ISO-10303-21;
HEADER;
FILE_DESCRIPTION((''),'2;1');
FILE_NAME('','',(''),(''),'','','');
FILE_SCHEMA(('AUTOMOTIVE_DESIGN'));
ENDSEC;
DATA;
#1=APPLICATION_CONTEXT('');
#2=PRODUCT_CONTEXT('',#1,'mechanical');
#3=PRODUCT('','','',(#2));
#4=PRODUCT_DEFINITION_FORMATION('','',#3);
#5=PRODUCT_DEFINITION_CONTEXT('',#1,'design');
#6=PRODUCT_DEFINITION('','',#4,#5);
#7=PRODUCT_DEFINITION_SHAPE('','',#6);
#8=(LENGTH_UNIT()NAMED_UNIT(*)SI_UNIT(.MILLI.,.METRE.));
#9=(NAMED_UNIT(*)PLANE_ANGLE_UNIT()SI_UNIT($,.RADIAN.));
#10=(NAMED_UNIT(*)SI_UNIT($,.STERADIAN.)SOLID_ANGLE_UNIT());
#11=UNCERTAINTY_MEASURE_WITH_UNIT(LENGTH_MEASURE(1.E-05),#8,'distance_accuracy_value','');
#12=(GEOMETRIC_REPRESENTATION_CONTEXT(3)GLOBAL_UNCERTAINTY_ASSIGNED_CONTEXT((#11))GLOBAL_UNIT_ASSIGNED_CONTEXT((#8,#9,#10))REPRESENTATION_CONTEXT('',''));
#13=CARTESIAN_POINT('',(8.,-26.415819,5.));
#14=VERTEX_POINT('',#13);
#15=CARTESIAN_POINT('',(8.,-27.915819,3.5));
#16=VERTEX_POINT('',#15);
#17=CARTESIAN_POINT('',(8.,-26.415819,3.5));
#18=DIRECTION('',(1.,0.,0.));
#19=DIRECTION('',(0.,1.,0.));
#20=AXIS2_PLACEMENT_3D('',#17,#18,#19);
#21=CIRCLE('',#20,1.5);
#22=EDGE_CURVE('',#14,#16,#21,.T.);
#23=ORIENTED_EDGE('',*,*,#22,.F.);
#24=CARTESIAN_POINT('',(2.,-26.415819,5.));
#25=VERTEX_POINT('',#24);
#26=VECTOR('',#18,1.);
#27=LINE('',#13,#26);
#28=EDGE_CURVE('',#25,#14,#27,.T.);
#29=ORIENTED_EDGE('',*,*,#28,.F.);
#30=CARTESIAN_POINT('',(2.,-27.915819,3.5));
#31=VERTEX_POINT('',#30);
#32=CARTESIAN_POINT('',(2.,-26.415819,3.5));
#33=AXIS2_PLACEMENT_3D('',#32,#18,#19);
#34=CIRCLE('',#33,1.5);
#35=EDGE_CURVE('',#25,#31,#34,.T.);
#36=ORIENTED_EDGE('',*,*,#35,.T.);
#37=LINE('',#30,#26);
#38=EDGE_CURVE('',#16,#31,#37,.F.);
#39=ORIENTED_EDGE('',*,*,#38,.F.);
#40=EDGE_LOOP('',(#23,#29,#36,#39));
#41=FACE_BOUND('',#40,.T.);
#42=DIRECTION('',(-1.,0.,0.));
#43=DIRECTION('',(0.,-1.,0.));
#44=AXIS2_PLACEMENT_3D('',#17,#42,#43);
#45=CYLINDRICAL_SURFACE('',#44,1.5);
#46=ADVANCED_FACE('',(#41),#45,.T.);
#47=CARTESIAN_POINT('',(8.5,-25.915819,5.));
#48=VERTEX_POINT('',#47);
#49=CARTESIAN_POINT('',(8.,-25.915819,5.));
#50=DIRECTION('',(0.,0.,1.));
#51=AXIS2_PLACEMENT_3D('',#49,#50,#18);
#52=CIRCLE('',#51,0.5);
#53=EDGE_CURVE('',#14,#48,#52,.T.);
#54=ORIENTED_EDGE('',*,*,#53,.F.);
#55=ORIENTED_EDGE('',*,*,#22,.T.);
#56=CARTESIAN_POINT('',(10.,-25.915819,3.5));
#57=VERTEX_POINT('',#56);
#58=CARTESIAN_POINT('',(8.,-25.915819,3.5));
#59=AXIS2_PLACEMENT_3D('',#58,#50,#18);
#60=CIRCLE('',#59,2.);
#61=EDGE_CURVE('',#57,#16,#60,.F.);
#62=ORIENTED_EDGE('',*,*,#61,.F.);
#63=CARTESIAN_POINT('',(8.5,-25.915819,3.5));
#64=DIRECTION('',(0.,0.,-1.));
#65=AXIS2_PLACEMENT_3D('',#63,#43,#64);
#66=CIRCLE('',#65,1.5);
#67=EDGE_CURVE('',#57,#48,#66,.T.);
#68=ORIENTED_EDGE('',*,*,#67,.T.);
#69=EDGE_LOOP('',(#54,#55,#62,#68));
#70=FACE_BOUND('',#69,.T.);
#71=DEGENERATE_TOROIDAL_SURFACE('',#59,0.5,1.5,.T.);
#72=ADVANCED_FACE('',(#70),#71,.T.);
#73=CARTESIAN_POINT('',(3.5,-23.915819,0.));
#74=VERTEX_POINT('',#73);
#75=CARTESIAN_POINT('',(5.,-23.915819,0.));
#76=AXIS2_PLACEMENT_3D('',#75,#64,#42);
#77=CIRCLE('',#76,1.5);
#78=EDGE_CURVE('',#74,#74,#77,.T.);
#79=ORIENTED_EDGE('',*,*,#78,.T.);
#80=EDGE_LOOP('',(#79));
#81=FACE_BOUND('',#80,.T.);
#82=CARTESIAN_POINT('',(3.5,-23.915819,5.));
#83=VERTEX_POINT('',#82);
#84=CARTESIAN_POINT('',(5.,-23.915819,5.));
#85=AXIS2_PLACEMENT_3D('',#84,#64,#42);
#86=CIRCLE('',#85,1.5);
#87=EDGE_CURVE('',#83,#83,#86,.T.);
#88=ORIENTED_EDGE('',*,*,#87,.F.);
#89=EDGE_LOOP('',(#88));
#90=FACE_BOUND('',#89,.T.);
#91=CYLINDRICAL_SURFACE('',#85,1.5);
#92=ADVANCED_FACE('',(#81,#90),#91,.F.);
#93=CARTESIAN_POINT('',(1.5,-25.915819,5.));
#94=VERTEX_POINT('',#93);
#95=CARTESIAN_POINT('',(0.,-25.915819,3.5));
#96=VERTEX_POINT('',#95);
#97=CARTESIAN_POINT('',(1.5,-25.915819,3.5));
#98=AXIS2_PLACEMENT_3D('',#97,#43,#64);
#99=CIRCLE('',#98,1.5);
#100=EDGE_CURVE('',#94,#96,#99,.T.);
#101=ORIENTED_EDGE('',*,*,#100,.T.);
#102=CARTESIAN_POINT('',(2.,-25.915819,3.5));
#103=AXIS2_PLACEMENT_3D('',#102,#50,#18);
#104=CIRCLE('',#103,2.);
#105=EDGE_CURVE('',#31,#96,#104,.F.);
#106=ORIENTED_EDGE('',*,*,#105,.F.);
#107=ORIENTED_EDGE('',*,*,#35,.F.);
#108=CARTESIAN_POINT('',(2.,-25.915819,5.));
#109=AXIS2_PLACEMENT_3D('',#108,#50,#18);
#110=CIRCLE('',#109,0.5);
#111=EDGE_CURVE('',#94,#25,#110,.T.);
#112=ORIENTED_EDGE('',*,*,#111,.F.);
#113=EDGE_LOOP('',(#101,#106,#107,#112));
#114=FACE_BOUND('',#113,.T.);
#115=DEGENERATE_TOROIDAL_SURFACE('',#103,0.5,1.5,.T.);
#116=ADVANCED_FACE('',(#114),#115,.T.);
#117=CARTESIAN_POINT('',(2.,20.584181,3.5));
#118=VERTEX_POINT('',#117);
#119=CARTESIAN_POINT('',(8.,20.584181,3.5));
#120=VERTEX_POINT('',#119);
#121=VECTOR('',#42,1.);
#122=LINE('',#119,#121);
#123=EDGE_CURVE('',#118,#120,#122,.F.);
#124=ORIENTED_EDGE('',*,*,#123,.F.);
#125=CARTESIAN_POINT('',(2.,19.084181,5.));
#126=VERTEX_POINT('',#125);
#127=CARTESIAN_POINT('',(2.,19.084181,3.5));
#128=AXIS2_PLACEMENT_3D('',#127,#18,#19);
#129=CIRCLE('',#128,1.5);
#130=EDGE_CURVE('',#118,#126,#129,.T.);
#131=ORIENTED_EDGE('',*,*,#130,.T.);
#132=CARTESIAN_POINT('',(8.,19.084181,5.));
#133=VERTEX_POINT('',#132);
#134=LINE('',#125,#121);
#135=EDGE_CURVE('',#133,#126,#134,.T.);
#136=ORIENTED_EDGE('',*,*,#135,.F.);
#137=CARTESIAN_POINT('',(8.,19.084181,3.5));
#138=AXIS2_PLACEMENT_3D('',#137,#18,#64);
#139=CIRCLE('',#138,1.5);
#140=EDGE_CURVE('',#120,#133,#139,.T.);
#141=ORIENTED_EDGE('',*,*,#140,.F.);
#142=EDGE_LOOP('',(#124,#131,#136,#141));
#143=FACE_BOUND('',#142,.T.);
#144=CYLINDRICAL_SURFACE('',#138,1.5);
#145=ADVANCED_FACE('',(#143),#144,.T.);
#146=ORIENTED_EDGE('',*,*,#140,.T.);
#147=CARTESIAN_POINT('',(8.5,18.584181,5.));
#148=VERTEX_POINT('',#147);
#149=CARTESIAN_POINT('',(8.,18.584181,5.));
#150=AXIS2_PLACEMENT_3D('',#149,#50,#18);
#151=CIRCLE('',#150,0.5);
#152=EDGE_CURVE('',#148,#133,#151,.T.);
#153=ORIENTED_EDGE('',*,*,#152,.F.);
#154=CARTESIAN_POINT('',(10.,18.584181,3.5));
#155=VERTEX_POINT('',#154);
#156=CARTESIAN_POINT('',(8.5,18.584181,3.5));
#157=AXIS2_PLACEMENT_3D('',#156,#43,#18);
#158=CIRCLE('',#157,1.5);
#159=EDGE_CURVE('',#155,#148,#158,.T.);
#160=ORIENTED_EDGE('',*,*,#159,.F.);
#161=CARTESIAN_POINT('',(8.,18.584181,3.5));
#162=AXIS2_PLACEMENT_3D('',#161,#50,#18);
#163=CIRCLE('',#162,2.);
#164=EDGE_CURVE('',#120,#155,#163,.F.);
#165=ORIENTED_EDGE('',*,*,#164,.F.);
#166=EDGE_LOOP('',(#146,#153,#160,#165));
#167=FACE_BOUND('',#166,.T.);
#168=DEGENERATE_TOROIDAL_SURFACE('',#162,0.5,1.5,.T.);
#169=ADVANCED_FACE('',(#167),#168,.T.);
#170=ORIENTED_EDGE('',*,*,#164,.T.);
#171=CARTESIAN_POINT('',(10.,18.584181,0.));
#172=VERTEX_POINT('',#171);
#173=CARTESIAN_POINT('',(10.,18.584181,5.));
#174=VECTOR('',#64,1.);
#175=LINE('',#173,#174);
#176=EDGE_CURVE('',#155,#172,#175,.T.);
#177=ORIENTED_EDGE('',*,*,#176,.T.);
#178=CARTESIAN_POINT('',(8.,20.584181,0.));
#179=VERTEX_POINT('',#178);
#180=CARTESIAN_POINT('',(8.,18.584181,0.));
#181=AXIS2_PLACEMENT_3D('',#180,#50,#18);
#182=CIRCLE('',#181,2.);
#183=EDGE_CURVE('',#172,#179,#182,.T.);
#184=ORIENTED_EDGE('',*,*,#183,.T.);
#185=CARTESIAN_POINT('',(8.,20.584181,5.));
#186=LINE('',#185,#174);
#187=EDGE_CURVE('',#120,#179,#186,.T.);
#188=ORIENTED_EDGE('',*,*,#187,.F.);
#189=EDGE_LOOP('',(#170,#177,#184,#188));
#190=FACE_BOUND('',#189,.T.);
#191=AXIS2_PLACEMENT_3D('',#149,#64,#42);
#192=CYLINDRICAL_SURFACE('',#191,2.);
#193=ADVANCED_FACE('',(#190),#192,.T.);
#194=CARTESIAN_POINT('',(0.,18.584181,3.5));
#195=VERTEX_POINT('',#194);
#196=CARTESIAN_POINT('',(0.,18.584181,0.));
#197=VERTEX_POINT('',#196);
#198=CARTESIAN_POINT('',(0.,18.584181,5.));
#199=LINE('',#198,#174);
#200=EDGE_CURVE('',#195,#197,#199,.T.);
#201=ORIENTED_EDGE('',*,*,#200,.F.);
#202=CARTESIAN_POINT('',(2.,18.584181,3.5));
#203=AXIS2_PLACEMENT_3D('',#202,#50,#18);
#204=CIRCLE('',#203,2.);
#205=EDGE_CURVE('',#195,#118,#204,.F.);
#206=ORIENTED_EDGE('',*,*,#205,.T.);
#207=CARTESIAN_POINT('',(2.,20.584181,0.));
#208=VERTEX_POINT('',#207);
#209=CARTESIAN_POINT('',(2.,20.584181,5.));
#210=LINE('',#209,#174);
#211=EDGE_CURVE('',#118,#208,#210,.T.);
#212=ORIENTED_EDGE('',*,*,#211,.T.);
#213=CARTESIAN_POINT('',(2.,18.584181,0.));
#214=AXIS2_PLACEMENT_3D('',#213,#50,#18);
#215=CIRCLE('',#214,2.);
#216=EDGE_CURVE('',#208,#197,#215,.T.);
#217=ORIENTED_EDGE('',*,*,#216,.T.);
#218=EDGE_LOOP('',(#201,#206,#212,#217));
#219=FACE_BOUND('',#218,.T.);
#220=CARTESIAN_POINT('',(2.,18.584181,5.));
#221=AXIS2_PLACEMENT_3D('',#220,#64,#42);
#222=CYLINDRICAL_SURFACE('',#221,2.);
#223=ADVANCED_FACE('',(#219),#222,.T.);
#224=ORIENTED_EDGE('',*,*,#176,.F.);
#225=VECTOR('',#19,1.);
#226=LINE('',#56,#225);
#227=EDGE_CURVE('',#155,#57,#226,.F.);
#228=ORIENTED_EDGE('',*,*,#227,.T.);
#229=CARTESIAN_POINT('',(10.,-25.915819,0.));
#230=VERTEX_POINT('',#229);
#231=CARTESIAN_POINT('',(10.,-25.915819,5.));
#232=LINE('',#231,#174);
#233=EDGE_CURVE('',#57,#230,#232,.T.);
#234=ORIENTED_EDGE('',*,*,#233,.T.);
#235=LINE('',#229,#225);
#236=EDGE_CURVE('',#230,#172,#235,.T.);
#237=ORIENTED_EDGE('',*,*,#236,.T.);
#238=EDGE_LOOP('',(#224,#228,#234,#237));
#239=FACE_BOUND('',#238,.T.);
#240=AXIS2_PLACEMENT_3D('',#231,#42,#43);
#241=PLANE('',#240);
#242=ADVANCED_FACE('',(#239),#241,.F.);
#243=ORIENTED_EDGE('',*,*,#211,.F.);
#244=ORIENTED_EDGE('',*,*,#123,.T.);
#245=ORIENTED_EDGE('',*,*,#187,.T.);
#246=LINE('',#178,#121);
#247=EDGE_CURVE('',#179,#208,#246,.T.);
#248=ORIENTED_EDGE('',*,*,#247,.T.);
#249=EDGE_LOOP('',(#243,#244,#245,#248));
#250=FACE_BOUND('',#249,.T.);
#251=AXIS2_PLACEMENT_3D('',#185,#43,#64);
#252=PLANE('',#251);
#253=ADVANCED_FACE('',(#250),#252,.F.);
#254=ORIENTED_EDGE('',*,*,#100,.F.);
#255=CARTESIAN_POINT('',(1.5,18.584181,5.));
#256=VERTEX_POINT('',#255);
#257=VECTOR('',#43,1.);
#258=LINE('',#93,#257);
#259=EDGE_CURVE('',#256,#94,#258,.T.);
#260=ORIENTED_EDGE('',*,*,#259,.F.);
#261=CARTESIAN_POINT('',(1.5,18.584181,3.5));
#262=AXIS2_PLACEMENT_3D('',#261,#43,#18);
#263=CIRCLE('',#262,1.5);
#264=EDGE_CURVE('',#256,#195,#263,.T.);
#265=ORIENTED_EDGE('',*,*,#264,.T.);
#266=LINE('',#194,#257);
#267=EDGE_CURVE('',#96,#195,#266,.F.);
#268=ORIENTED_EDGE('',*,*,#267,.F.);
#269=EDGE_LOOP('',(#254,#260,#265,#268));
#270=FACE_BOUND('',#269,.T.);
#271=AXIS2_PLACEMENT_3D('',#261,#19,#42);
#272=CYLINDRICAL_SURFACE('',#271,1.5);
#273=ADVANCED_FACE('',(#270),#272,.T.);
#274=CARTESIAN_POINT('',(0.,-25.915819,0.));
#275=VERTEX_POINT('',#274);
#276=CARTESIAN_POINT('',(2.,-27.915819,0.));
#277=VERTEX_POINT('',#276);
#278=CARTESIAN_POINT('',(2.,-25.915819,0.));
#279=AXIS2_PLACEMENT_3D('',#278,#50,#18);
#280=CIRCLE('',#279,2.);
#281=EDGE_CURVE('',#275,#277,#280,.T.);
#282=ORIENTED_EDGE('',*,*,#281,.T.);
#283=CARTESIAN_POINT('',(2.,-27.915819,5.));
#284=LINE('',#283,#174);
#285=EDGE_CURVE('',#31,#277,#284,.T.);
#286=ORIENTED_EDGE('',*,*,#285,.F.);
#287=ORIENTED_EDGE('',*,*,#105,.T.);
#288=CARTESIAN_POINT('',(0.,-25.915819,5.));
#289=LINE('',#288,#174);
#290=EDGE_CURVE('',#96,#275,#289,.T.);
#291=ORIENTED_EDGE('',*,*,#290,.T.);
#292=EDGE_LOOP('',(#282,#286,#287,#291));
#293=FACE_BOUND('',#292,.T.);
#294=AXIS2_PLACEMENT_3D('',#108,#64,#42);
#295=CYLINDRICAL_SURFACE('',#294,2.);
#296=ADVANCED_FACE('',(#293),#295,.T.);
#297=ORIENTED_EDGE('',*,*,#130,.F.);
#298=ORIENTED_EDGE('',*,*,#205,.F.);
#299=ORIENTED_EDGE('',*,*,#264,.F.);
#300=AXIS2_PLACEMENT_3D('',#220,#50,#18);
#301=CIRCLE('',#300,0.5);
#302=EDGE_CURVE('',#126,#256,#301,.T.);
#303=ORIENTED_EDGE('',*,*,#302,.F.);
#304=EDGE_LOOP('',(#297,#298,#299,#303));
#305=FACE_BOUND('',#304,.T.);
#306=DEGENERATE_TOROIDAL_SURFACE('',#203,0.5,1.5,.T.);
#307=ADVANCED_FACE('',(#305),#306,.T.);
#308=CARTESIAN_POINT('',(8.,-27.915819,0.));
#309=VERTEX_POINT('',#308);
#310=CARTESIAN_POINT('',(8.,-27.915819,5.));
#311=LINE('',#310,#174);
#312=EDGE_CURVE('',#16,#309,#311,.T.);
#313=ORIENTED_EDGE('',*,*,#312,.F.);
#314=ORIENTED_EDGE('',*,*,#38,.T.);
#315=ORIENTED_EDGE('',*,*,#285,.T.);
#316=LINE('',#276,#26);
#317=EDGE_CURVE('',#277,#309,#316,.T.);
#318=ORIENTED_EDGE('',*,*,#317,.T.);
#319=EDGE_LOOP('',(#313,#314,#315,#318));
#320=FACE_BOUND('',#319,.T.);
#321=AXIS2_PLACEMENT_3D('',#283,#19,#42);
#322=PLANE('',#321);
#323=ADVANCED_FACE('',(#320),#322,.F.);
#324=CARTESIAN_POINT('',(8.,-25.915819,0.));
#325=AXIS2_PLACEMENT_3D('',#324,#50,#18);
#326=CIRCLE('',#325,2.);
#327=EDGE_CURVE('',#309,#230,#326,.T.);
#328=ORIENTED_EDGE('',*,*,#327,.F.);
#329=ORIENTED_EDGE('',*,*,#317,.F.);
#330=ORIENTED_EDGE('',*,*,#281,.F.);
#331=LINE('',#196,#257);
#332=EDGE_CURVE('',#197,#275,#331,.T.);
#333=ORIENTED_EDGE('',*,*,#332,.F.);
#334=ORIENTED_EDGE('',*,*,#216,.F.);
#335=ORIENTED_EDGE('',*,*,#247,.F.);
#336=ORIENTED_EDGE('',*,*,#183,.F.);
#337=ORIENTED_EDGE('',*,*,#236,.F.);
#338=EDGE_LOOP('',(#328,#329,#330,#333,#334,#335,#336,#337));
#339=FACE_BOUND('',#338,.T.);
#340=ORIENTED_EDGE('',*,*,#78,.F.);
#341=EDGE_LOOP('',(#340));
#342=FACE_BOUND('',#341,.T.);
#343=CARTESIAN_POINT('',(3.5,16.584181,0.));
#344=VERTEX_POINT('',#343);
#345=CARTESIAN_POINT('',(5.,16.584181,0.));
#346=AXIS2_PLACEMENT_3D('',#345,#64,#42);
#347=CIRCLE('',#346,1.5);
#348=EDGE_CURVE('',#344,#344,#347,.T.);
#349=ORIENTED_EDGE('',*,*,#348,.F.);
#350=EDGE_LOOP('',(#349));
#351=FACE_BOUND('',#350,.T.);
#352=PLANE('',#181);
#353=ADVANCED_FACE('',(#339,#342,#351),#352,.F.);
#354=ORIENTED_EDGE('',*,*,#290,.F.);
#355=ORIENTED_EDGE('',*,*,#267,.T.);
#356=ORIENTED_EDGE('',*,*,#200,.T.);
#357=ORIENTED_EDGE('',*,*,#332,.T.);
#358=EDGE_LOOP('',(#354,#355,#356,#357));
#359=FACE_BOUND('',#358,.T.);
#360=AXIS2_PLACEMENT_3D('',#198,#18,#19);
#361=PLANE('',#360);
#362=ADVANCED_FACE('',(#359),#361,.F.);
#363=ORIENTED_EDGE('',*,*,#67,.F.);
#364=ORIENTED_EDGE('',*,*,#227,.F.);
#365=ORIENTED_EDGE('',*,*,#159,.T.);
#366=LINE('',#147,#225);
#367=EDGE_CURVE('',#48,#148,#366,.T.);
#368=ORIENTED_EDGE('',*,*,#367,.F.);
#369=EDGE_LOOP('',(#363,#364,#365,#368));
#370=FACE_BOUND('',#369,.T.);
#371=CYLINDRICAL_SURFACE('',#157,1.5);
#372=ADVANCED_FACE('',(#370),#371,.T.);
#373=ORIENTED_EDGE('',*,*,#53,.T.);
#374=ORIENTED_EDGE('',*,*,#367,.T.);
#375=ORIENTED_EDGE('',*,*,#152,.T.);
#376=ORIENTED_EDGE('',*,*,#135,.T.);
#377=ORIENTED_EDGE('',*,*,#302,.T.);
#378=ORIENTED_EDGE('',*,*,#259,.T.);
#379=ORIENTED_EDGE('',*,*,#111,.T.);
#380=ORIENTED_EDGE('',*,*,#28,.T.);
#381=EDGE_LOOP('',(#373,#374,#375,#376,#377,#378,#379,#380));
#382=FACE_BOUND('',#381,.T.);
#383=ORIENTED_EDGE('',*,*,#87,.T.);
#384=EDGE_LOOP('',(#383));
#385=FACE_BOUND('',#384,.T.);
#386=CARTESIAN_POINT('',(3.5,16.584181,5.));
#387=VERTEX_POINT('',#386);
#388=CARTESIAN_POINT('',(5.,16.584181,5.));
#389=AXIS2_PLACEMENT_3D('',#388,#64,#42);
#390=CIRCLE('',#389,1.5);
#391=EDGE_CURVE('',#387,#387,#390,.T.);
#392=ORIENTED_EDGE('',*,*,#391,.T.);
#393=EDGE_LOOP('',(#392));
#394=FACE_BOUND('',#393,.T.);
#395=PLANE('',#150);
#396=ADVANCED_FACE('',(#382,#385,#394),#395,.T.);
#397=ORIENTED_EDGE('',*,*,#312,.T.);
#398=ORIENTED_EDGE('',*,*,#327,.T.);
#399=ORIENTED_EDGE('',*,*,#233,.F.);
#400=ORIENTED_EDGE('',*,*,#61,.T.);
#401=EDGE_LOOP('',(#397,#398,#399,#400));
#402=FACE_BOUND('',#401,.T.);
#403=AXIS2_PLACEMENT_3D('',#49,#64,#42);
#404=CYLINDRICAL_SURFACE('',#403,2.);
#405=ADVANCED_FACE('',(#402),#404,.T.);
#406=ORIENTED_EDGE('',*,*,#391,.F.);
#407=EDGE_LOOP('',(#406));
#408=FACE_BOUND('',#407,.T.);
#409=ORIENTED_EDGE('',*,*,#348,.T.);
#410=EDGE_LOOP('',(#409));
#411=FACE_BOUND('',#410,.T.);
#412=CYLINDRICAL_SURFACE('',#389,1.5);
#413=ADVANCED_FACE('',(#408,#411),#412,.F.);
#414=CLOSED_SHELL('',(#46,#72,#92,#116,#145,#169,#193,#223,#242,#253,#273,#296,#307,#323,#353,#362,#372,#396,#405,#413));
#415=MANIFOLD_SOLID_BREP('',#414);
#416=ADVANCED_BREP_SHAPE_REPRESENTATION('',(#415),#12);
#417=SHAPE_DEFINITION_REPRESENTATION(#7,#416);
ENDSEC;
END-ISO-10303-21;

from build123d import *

# Parameters (mm, degrees)
BOSS_EXTRUDE1_DEPTH = 5
SKETCH4_R           = 1.5
CUT_EXTRUDE1_DEPTH  = 6
FILLET1_R           = 1.5


with BuildPart() as part:
    # Sketch2 → Boss-Extrude1 (new body)
    with BuildSketch(Plane.XY):
        with BuildLine():
            Line((8, 20.584180911), (2, 20.584180911))
            ThreePointArc((2, 20.584180911), (0.585786438, 19.998394474), (0, 18.584180911))
            Line((0, 18.584180911), (0, -25.915819089))
            ThreePointArc((0, -25.915819089), (0.585786438, -27.330032651), (2, -27.915819089))
            Line((2, -27.915819089), (8, -27.915819089))
            ThreePointArc((8, -27.915819089), (9.414213562, -27.330032651), (10, -25.915819089))
            Line((10, -25.915819089), (10, 18.584180911))
            ThreePointArc((10, 18.584180911), (9.414213562, 19.998394474), (8, 20.584180911))
        make_face()
    extrude(amount=BOSS_EXTRUDE1_DEPTH)

    # Sketch4 → Cut-Extrude1 (cut, through all)
    with BuildSketch(Plane(origin=(0, 0, 0), x_dir=(-1, 0, 0), z_dir=(0, 0, -1))):
        with Locations((-5, -23.915819089)):
            Circle(SKETCH4_R)
        with Locations((-5, 16.584180911)):
            Circle(SKETCH4_R)
    extrude(amount=-CUT_EXTRUDE1_DEPTH, mode=Mode.SUBTRACT)

    # Fillet1
    fillet1_edges = [part.edges().sort_by_distance(p)[0] for p in [
        (0.585786438, 19.998394474, 5),
        (0, -3.665819089, 5),
        (0.585786438, -27.330032651, 5),
        (5, -27.915819089, 5),
        (9.414213562, -27.330032651, 5),
        (10, -3.665819089, 5),
        (9.414213562, 19.998394474, 5),
        (5, 20.584180911, 5),
    ]]
    fillet(fillet1_edges, radius=FILLET1_R)


solid = part.part
